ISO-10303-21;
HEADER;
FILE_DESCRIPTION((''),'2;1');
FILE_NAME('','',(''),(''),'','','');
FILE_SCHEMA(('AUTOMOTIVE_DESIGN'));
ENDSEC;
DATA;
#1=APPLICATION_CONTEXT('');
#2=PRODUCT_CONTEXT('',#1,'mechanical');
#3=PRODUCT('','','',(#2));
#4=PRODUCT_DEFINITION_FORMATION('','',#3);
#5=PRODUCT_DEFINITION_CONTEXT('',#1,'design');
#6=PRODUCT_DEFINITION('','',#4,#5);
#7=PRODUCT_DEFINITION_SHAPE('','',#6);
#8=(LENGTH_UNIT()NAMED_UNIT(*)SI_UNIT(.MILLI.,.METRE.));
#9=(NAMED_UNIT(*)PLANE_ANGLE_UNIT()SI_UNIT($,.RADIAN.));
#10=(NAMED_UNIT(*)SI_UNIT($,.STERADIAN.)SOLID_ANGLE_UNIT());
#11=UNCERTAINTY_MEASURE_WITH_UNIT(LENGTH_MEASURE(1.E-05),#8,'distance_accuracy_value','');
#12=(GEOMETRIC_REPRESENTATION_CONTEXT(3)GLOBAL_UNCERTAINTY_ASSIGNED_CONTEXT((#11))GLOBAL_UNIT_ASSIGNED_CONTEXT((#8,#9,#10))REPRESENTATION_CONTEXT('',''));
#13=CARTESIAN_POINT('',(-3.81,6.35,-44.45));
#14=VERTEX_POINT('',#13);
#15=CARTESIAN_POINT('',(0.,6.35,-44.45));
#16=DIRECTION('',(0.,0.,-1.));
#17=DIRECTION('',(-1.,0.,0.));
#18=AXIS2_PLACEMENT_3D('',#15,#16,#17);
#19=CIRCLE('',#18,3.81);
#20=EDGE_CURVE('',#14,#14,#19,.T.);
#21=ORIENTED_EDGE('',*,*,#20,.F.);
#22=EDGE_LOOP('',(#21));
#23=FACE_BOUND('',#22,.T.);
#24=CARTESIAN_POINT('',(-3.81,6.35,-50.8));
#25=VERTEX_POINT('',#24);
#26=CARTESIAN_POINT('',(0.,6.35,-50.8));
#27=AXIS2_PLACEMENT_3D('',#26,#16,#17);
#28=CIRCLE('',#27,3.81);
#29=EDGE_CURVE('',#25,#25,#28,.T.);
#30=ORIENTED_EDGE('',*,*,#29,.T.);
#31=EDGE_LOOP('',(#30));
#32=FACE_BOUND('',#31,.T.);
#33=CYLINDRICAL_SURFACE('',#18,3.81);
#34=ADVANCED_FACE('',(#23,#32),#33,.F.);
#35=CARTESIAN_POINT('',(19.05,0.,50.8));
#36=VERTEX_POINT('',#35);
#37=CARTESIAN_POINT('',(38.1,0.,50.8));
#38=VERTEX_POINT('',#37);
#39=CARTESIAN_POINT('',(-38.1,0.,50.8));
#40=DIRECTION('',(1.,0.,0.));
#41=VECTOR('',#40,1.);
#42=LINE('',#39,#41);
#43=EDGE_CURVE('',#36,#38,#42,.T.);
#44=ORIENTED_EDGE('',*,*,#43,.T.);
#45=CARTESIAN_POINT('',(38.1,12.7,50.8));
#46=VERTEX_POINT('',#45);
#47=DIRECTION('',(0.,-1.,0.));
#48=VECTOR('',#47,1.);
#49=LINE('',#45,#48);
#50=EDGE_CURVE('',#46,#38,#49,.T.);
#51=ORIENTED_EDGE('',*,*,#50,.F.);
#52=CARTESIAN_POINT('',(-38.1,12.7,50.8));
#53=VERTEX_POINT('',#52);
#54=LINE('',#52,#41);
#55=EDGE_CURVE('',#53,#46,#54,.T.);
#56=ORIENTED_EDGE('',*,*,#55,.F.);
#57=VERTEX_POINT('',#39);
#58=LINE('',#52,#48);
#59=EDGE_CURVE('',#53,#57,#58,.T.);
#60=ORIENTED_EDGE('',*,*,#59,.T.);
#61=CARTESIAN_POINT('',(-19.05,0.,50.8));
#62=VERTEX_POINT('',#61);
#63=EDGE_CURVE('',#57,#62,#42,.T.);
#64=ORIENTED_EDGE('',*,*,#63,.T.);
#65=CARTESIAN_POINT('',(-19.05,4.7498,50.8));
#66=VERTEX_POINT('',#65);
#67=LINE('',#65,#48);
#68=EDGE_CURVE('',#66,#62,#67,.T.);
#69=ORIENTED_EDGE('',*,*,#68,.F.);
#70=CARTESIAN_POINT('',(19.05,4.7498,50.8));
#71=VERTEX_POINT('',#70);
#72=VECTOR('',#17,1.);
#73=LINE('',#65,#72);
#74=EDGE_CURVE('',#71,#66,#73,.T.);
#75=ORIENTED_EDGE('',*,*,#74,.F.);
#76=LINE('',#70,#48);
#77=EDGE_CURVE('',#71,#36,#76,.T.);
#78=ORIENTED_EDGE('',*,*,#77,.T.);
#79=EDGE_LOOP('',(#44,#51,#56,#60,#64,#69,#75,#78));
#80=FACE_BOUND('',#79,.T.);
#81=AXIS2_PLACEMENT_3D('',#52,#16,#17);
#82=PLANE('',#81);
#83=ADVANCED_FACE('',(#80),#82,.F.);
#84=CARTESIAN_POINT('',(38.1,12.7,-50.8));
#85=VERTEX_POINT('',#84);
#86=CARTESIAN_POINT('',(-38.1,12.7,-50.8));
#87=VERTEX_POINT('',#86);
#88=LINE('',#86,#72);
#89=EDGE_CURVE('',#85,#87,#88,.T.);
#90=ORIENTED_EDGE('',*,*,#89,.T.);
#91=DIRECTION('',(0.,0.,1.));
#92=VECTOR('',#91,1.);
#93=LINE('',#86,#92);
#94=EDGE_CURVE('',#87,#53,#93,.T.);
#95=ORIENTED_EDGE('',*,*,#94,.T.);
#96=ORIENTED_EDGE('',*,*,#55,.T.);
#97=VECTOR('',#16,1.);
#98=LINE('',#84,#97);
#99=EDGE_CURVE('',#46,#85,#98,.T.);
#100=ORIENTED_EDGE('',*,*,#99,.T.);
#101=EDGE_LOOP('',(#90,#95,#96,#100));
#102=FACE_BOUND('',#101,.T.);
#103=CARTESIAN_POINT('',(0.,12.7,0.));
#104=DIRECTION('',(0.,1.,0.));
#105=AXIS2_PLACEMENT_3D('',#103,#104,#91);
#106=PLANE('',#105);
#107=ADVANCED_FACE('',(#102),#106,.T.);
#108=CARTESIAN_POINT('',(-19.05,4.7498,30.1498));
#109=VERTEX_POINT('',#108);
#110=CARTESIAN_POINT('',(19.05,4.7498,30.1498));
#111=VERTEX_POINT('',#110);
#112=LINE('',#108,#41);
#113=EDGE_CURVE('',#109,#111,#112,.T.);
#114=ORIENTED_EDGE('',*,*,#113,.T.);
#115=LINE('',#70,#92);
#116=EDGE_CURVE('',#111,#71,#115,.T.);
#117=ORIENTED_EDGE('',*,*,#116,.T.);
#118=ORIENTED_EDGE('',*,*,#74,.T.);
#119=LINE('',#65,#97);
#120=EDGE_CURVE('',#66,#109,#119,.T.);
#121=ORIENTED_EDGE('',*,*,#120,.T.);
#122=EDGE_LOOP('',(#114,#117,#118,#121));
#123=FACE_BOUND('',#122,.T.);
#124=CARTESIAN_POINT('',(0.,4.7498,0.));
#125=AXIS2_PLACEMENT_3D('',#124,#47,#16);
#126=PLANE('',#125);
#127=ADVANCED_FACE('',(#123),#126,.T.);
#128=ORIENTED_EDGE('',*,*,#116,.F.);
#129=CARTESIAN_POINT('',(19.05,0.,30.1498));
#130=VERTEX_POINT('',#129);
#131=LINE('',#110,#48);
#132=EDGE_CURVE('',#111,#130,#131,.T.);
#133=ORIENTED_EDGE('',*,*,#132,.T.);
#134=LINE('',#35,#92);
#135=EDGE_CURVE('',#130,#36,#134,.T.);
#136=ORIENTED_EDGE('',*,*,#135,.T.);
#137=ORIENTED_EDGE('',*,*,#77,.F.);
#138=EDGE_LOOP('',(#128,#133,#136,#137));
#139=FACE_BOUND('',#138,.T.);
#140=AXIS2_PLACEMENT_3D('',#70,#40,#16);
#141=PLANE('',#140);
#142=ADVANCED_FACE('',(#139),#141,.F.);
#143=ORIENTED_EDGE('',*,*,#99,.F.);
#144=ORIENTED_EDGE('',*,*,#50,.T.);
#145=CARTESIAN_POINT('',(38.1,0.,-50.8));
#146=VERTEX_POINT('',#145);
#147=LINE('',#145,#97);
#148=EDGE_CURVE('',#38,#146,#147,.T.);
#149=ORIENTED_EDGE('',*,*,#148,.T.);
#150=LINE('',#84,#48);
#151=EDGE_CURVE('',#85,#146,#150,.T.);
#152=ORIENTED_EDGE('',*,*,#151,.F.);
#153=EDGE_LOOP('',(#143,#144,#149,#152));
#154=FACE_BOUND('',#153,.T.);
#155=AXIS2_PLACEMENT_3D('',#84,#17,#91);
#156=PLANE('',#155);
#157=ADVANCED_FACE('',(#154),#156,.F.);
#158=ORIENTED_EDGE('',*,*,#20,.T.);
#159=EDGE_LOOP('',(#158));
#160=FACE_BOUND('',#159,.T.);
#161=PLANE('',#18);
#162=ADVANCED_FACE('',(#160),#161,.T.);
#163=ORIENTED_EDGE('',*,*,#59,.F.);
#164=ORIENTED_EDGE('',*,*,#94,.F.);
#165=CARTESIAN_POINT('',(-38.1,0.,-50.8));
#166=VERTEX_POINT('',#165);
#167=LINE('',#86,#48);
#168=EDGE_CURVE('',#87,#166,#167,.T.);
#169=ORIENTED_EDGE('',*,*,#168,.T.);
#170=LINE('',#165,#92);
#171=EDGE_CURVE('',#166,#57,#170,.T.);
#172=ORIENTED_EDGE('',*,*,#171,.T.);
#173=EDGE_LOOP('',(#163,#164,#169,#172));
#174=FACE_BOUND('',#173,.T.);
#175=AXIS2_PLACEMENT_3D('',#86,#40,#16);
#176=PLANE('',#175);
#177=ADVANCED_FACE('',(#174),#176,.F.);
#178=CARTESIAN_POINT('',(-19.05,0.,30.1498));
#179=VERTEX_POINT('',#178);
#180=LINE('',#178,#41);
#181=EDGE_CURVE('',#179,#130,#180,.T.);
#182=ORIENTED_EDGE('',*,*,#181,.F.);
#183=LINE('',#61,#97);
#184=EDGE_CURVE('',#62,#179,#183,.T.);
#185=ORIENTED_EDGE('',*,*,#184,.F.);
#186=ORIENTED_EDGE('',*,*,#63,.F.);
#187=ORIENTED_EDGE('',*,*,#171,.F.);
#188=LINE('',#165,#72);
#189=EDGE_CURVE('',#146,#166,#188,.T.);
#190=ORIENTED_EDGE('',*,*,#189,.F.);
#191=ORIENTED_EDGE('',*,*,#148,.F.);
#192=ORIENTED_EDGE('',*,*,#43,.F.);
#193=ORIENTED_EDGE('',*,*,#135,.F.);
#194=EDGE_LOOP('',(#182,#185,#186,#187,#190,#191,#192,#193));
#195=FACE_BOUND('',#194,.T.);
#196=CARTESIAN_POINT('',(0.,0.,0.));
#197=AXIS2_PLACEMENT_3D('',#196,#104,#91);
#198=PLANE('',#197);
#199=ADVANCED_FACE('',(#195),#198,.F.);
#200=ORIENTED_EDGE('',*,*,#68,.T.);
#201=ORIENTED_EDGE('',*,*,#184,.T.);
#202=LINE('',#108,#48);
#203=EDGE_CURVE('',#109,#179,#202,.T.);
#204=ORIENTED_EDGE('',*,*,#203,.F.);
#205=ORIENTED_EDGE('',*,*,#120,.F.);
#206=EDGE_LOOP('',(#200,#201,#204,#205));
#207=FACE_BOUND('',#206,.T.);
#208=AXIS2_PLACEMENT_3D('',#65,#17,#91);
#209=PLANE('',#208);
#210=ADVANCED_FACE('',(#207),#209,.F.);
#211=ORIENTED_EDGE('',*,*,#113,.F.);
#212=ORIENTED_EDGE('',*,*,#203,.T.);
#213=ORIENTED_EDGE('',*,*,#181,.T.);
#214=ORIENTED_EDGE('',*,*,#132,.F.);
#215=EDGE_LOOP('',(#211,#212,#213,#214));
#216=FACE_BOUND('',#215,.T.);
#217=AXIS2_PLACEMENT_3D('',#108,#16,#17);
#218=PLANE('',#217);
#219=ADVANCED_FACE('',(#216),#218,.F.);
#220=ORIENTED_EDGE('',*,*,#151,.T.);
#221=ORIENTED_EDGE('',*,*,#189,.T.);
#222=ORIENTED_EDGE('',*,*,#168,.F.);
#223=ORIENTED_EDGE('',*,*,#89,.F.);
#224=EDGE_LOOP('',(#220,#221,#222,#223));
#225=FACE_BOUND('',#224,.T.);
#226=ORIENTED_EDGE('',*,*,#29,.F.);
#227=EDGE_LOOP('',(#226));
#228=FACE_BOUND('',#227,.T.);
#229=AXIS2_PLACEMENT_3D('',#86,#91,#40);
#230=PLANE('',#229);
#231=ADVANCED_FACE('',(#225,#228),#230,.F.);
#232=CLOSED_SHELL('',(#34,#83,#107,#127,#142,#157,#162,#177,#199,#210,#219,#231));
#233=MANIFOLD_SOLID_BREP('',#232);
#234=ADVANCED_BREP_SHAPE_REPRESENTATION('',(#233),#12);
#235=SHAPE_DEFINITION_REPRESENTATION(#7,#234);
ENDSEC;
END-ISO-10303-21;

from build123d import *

# Parameters (mm, degrees)
SKETCH1_W           = 76.2
SKETCH1_H           = 101.6
BOSS_EXTRUDE1_DEPTH = 12.7
SKETCH2_W           = 38.1
SKETCH2_H           = 20.6502
CUT_EXTRUDE1_DEPTH  = 4.7498
SKETCH3_R           = 3.81
CUT_EXTRUDE2_DEPTH  = 6.35


with BuildPart() as part:
    # Sketch1 → Boss-Extrude1 (new body)
    with BuildSketch(Plane(origin=(0, 0, 0), x_dir=(1, 0, 0), z_dir=(0, 1, 0))):
        Rectangle(SKETCH1_W, SKETCH1_H)
    extrude(amount=BOSS_EXTRUDE1_DEPTH)

    # Sketch2 → Cut-Extrude1 (cut)
    with BuildSketch(Plane.XZ):
        with Locations((0, 40.4749)):
            Rectangle(SKETCH2_W, SKETCH2_H)
    extrude(amount=-CUT_EXTRUDE1_DEPTH, mode=Mode.SUBTRACT)

    # Sketch3 → Cut-Extrude2 (cut)
    with BuildSketch(Plane(origin=(0, 0, -50.8), x_dir=(-1, 0, 0), z_dir=(0, 0, -1))):
        with Locations((0, 6.35)):
            Circle(SKETCH3_R)
    extrude(amount=-CUT_EXTRUDE2_DEPTH, mode=Mode.SUBTRACT)


solid = part.part
